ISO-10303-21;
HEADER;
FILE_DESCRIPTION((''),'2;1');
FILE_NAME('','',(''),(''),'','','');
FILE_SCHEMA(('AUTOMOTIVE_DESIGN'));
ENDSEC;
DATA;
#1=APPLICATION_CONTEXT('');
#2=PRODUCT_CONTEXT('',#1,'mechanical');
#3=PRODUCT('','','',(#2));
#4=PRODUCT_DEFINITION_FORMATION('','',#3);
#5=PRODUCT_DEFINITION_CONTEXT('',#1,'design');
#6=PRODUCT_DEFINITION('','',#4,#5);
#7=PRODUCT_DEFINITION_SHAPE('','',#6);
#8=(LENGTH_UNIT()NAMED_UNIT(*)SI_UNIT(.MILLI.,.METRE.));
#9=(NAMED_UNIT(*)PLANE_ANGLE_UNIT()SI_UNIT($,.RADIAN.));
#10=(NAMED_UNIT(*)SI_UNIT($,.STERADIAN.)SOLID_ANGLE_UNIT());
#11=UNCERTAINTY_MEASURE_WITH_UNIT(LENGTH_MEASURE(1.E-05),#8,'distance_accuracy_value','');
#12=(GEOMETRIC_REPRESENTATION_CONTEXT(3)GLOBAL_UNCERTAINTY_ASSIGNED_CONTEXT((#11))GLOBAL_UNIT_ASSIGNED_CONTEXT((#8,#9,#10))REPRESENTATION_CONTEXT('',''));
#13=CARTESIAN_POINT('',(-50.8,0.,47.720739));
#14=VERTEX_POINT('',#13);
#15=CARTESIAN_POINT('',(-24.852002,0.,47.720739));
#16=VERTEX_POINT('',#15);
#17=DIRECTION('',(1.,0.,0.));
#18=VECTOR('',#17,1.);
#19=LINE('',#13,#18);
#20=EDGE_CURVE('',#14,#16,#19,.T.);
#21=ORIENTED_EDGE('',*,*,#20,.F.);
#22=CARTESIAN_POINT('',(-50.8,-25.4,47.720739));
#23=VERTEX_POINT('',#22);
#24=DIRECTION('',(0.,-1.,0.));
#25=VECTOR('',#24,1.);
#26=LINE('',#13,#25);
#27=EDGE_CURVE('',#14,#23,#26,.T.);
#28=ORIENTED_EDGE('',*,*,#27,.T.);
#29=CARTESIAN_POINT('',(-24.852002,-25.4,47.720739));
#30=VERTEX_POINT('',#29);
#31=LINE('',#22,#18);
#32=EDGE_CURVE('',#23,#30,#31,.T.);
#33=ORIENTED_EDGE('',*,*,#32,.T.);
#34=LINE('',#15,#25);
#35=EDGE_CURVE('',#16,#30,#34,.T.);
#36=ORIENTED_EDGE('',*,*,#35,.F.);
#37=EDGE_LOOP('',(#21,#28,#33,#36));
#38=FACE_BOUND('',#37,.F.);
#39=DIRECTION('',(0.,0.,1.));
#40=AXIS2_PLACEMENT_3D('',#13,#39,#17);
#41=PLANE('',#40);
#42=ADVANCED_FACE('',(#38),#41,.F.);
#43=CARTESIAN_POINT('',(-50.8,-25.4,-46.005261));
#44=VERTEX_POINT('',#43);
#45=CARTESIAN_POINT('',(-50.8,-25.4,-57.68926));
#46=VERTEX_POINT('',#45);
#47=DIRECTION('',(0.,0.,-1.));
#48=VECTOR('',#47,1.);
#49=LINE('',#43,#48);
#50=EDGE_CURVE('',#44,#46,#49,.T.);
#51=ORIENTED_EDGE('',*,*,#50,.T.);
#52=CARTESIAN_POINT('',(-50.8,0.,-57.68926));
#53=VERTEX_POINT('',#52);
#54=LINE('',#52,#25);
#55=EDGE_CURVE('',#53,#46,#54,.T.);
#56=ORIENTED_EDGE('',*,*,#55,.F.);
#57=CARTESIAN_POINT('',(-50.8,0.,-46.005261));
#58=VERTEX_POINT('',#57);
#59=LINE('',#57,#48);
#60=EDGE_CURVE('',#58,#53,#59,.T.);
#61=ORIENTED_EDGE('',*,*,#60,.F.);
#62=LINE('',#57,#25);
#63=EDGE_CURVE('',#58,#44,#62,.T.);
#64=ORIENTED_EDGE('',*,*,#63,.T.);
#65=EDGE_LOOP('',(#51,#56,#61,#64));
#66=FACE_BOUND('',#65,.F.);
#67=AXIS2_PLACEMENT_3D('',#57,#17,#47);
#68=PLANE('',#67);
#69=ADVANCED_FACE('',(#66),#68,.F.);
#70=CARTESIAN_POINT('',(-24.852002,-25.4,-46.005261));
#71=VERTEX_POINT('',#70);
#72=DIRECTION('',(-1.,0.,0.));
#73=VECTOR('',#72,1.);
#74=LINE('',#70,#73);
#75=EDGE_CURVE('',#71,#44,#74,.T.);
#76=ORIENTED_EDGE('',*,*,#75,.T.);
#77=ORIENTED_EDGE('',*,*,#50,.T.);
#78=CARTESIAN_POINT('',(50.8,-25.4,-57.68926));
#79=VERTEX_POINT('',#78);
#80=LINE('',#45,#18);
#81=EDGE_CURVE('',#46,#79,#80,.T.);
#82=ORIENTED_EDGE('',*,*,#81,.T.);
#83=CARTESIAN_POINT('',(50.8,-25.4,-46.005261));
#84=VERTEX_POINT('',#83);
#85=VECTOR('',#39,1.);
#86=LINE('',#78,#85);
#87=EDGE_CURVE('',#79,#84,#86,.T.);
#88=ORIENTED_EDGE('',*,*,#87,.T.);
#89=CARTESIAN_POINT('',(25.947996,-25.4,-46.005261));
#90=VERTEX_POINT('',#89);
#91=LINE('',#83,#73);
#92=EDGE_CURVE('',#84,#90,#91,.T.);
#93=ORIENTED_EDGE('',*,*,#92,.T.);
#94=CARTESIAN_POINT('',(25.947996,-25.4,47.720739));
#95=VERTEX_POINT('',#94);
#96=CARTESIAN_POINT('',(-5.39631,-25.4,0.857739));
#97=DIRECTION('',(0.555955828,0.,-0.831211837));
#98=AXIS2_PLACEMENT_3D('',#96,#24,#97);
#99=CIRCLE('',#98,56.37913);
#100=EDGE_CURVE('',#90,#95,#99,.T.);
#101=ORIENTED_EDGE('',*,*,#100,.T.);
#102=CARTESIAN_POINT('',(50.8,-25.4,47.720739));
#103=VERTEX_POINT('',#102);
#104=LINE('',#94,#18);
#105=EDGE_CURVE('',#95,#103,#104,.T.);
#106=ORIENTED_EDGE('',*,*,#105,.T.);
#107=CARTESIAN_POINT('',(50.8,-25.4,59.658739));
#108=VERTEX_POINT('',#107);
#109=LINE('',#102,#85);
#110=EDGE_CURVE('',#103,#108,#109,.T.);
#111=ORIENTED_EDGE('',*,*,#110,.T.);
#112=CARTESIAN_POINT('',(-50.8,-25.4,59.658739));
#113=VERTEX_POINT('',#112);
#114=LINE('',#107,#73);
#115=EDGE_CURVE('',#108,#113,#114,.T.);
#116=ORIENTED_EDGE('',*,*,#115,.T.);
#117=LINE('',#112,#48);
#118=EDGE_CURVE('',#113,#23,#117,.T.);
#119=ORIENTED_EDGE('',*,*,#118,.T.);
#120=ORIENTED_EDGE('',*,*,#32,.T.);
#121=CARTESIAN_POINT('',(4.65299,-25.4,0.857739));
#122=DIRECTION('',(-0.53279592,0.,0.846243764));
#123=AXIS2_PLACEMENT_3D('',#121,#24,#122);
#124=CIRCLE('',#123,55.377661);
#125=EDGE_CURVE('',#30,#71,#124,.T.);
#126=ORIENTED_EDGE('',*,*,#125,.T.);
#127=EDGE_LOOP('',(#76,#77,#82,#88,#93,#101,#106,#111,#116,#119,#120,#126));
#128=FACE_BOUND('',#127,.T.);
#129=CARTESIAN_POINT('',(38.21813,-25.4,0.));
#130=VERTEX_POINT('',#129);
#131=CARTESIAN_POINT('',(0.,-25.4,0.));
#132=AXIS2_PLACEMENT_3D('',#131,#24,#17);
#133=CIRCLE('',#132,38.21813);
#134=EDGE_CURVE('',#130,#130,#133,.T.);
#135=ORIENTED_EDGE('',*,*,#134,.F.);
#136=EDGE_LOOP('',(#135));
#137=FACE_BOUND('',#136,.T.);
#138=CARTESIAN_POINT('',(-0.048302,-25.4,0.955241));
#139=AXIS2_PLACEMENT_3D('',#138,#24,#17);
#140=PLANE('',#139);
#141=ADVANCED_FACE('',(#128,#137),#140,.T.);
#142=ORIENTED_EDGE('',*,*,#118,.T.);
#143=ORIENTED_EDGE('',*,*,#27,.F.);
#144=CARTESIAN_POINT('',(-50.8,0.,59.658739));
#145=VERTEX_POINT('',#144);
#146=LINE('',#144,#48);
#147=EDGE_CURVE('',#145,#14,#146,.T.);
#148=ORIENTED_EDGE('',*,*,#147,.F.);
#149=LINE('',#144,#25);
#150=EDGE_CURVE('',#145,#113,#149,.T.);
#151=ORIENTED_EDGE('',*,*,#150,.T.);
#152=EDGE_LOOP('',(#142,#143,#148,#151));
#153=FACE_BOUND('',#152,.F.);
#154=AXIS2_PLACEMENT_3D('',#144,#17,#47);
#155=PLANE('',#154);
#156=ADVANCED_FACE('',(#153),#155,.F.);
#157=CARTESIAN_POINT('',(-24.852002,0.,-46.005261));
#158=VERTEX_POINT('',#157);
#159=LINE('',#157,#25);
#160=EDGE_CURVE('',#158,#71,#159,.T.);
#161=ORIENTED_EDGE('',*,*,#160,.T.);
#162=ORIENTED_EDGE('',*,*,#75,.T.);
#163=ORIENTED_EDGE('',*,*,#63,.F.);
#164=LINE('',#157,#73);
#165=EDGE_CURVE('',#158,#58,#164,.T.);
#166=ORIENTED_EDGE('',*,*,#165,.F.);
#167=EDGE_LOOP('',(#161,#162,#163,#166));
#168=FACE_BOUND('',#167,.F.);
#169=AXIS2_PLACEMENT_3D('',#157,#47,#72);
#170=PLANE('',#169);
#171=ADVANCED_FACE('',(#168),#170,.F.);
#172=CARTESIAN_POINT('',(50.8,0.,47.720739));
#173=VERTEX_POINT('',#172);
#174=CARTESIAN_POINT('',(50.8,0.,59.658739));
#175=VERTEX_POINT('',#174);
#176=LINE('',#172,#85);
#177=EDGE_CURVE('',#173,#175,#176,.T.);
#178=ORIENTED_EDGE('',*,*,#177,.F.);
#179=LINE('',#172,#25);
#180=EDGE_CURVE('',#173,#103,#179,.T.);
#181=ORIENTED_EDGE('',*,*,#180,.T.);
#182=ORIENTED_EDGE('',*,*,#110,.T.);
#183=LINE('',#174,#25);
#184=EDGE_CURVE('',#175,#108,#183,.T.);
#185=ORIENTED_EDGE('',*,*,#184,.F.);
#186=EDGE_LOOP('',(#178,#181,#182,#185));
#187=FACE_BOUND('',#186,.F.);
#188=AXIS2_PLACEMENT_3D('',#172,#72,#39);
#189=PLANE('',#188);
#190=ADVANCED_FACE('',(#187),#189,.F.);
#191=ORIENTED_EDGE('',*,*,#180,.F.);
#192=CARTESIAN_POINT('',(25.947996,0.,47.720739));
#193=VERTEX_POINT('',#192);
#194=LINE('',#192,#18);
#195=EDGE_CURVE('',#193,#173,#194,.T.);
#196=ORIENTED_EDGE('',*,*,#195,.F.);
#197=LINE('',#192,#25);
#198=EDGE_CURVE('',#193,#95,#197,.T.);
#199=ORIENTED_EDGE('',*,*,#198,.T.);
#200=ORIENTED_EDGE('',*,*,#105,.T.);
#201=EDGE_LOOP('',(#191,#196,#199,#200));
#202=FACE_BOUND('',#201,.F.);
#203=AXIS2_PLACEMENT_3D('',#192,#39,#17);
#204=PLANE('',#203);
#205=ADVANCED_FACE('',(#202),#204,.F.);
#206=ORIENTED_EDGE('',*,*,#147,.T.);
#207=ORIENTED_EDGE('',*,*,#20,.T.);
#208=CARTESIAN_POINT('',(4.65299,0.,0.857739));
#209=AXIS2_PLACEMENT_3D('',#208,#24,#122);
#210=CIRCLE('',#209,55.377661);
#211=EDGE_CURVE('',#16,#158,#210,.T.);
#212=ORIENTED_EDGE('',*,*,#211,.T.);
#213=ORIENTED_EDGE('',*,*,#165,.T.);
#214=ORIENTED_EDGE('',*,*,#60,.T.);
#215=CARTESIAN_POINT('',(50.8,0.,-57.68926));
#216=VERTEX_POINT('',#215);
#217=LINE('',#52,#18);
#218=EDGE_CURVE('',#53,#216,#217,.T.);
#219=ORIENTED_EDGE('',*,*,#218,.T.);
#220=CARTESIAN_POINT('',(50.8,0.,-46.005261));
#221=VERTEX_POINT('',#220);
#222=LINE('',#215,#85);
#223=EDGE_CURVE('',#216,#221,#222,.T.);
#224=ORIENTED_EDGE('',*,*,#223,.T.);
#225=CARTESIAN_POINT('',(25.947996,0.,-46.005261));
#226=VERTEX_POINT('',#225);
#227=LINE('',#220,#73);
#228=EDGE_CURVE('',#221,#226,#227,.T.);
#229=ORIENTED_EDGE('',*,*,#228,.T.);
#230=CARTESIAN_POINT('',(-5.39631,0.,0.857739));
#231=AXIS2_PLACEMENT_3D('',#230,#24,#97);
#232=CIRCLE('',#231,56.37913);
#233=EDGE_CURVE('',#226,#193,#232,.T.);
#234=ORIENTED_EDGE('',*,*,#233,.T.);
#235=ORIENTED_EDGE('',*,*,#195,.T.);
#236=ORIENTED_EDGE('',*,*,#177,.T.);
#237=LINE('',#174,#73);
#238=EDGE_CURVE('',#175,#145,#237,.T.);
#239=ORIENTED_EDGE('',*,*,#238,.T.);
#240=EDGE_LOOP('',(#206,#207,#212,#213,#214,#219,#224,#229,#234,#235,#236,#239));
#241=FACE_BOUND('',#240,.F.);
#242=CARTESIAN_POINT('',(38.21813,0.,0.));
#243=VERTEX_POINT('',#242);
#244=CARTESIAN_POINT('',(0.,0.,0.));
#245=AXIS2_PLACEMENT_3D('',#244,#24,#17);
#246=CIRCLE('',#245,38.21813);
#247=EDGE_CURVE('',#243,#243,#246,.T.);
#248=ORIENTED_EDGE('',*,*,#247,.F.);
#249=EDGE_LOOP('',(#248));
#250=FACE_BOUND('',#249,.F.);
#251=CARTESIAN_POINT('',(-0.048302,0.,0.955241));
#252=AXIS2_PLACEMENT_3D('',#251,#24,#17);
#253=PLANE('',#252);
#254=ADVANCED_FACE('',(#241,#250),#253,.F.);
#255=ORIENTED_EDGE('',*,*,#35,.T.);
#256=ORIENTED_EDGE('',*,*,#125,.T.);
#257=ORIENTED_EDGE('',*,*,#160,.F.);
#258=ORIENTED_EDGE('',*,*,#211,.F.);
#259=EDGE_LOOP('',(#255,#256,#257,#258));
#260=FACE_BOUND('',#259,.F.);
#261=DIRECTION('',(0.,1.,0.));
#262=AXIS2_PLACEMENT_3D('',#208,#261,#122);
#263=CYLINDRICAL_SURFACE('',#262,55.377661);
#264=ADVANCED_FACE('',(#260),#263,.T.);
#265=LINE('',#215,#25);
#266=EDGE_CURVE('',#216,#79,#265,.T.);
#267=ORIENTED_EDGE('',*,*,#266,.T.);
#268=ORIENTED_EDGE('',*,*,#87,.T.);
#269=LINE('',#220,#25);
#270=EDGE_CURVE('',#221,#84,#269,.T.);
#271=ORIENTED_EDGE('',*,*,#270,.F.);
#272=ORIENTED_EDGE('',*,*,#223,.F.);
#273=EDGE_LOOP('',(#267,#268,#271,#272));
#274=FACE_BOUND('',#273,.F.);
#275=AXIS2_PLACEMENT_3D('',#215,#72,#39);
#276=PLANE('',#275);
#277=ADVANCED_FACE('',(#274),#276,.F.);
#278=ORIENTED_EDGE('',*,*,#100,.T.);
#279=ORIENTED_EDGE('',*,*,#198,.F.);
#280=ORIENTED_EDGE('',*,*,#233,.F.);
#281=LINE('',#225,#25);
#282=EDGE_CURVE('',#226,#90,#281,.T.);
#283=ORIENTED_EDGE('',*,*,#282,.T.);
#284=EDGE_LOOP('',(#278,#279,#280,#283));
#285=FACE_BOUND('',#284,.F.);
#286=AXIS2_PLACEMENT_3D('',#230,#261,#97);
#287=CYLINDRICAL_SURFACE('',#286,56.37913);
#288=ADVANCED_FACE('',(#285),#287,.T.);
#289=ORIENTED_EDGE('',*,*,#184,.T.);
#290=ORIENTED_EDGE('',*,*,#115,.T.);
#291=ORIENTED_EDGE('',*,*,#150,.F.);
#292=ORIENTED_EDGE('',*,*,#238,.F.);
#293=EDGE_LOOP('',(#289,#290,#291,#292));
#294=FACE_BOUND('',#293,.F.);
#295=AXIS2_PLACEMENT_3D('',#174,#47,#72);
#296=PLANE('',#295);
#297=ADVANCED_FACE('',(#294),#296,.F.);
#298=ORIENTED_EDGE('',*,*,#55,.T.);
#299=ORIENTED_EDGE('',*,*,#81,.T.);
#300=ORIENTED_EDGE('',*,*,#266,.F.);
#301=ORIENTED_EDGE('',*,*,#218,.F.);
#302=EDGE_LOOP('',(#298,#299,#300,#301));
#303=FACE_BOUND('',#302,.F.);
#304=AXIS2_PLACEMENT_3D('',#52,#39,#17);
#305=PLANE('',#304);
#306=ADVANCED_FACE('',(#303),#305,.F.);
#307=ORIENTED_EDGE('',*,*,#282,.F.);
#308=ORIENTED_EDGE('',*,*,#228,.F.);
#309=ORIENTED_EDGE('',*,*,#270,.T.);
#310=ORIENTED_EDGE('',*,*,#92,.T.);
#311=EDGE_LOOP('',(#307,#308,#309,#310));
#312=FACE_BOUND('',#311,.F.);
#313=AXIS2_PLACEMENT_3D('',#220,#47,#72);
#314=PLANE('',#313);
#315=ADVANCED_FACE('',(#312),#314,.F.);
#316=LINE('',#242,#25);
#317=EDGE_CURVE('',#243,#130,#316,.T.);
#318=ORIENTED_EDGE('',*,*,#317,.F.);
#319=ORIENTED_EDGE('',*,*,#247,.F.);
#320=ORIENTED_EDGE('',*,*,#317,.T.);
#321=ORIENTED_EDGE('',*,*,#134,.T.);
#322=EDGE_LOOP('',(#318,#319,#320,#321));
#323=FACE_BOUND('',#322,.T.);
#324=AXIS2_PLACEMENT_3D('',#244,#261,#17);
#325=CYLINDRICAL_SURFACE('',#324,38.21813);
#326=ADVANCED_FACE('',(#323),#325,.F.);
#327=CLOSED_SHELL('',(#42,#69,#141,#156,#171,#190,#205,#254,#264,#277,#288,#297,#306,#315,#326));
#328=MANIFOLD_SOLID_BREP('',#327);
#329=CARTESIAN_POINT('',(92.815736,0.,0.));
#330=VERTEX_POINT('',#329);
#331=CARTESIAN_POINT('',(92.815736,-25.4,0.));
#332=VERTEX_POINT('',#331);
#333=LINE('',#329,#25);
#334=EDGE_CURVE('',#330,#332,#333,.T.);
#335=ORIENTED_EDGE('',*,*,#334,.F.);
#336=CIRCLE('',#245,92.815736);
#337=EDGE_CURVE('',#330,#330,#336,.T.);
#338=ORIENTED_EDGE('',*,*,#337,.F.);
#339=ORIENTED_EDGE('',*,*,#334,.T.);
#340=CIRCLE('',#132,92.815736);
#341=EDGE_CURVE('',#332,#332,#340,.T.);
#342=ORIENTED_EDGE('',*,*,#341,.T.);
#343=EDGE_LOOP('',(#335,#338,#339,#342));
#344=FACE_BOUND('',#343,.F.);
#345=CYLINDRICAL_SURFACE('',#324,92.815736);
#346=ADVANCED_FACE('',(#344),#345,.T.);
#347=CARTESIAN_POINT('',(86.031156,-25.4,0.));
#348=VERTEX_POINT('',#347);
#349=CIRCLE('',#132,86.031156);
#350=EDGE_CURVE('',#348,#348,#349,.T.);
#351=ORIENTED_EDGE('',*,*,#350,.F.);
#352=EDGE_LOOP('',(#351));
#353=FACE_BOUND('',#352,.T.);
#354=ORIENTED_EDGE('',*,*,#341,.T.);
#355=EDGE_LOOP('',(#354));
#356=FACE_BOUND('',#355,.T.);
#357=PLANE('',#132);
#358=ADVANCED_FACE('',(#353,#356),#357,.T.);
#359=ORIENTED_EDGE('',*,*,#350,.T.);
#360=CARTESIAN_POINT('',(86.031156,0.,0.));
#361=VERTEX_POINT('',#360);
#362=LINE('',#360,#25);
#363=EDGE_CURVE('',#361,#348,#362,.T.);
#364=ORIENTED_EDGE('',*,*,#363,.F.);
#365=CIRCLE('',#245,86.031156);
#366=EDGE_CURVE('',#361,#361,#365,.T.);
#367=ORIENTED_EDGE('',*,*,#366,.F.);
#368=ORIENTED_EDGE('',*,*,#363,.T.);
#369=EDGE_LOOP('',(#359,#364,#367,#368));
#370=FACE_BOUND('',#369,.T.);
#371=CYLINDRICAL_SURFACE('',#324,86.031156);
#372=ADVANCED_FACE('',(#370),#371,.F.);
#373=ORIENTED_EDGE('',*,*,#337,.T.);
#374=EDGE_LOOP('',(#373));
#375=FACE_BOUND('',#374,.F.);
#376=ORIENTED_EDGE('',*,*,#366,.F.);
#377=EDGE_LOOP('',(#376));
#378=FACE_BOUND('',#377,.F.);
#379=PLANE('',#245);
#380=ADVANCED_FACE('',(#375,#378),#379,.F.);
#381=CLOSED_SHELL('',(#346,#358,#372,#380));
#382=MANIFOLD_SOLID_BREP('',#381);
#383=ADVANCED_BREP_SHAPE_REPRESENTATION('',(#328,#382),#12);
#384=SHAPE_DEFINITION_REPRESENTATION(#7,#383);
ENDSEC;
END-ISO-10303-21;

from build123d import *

# Parameters (mm, degrees)
F0_R     = 92.815736
F0_R_2   = 86.031156
F0_R_3   = 38.21813
F1_DEPTH = 25.4


with BuildPart() as f1:
    # F0 (on Front) → F1 (new body)
    with BuildSketch(Plane.XZ):
        Circle(F0_R)
        Circle(F0_R_2, mode=Mode.SUBTRACT)
        with BuildLine():
            Line((50.8, 59.658739), (-50.8, 59.658739))
            Line((-50.8, 59.658739), (-50.8, 47.720739))
            Line((-50.8, 47.720739), (-24.852002, 47.720739))
            ThreePointArc((-24.852002, 47.720739), (-50.724671, 0.857739), (-24.852002, -46.005261))
            Line((-24.852002, -46.005261), (-50.8, -46.005261))
            Line((-50.8, -46.005261), (-50.8, -57.68926))
            Line((-50.8, -57.68926), (50.8, -57.68926))
            Line((50.8, -57.68926), (50.8, -46.005261))
            Line((50.8, -46.005261), (25.947996, -46.005261))
            ThreePointArc((25.947996, -46.005261), (50.98282, 0.857739), (25.947996, 47.720739))
            Line((25.947996, 47.720739), (50.8, 47.720739))
            Line((50.8, 47.720739), (50.8, 59.658739))
        make_face()
        Circle(F0_R_3, mode=Mode.SUBTRACT)
    extrude(amount=F1_DEPTH)


solid = f1.part
